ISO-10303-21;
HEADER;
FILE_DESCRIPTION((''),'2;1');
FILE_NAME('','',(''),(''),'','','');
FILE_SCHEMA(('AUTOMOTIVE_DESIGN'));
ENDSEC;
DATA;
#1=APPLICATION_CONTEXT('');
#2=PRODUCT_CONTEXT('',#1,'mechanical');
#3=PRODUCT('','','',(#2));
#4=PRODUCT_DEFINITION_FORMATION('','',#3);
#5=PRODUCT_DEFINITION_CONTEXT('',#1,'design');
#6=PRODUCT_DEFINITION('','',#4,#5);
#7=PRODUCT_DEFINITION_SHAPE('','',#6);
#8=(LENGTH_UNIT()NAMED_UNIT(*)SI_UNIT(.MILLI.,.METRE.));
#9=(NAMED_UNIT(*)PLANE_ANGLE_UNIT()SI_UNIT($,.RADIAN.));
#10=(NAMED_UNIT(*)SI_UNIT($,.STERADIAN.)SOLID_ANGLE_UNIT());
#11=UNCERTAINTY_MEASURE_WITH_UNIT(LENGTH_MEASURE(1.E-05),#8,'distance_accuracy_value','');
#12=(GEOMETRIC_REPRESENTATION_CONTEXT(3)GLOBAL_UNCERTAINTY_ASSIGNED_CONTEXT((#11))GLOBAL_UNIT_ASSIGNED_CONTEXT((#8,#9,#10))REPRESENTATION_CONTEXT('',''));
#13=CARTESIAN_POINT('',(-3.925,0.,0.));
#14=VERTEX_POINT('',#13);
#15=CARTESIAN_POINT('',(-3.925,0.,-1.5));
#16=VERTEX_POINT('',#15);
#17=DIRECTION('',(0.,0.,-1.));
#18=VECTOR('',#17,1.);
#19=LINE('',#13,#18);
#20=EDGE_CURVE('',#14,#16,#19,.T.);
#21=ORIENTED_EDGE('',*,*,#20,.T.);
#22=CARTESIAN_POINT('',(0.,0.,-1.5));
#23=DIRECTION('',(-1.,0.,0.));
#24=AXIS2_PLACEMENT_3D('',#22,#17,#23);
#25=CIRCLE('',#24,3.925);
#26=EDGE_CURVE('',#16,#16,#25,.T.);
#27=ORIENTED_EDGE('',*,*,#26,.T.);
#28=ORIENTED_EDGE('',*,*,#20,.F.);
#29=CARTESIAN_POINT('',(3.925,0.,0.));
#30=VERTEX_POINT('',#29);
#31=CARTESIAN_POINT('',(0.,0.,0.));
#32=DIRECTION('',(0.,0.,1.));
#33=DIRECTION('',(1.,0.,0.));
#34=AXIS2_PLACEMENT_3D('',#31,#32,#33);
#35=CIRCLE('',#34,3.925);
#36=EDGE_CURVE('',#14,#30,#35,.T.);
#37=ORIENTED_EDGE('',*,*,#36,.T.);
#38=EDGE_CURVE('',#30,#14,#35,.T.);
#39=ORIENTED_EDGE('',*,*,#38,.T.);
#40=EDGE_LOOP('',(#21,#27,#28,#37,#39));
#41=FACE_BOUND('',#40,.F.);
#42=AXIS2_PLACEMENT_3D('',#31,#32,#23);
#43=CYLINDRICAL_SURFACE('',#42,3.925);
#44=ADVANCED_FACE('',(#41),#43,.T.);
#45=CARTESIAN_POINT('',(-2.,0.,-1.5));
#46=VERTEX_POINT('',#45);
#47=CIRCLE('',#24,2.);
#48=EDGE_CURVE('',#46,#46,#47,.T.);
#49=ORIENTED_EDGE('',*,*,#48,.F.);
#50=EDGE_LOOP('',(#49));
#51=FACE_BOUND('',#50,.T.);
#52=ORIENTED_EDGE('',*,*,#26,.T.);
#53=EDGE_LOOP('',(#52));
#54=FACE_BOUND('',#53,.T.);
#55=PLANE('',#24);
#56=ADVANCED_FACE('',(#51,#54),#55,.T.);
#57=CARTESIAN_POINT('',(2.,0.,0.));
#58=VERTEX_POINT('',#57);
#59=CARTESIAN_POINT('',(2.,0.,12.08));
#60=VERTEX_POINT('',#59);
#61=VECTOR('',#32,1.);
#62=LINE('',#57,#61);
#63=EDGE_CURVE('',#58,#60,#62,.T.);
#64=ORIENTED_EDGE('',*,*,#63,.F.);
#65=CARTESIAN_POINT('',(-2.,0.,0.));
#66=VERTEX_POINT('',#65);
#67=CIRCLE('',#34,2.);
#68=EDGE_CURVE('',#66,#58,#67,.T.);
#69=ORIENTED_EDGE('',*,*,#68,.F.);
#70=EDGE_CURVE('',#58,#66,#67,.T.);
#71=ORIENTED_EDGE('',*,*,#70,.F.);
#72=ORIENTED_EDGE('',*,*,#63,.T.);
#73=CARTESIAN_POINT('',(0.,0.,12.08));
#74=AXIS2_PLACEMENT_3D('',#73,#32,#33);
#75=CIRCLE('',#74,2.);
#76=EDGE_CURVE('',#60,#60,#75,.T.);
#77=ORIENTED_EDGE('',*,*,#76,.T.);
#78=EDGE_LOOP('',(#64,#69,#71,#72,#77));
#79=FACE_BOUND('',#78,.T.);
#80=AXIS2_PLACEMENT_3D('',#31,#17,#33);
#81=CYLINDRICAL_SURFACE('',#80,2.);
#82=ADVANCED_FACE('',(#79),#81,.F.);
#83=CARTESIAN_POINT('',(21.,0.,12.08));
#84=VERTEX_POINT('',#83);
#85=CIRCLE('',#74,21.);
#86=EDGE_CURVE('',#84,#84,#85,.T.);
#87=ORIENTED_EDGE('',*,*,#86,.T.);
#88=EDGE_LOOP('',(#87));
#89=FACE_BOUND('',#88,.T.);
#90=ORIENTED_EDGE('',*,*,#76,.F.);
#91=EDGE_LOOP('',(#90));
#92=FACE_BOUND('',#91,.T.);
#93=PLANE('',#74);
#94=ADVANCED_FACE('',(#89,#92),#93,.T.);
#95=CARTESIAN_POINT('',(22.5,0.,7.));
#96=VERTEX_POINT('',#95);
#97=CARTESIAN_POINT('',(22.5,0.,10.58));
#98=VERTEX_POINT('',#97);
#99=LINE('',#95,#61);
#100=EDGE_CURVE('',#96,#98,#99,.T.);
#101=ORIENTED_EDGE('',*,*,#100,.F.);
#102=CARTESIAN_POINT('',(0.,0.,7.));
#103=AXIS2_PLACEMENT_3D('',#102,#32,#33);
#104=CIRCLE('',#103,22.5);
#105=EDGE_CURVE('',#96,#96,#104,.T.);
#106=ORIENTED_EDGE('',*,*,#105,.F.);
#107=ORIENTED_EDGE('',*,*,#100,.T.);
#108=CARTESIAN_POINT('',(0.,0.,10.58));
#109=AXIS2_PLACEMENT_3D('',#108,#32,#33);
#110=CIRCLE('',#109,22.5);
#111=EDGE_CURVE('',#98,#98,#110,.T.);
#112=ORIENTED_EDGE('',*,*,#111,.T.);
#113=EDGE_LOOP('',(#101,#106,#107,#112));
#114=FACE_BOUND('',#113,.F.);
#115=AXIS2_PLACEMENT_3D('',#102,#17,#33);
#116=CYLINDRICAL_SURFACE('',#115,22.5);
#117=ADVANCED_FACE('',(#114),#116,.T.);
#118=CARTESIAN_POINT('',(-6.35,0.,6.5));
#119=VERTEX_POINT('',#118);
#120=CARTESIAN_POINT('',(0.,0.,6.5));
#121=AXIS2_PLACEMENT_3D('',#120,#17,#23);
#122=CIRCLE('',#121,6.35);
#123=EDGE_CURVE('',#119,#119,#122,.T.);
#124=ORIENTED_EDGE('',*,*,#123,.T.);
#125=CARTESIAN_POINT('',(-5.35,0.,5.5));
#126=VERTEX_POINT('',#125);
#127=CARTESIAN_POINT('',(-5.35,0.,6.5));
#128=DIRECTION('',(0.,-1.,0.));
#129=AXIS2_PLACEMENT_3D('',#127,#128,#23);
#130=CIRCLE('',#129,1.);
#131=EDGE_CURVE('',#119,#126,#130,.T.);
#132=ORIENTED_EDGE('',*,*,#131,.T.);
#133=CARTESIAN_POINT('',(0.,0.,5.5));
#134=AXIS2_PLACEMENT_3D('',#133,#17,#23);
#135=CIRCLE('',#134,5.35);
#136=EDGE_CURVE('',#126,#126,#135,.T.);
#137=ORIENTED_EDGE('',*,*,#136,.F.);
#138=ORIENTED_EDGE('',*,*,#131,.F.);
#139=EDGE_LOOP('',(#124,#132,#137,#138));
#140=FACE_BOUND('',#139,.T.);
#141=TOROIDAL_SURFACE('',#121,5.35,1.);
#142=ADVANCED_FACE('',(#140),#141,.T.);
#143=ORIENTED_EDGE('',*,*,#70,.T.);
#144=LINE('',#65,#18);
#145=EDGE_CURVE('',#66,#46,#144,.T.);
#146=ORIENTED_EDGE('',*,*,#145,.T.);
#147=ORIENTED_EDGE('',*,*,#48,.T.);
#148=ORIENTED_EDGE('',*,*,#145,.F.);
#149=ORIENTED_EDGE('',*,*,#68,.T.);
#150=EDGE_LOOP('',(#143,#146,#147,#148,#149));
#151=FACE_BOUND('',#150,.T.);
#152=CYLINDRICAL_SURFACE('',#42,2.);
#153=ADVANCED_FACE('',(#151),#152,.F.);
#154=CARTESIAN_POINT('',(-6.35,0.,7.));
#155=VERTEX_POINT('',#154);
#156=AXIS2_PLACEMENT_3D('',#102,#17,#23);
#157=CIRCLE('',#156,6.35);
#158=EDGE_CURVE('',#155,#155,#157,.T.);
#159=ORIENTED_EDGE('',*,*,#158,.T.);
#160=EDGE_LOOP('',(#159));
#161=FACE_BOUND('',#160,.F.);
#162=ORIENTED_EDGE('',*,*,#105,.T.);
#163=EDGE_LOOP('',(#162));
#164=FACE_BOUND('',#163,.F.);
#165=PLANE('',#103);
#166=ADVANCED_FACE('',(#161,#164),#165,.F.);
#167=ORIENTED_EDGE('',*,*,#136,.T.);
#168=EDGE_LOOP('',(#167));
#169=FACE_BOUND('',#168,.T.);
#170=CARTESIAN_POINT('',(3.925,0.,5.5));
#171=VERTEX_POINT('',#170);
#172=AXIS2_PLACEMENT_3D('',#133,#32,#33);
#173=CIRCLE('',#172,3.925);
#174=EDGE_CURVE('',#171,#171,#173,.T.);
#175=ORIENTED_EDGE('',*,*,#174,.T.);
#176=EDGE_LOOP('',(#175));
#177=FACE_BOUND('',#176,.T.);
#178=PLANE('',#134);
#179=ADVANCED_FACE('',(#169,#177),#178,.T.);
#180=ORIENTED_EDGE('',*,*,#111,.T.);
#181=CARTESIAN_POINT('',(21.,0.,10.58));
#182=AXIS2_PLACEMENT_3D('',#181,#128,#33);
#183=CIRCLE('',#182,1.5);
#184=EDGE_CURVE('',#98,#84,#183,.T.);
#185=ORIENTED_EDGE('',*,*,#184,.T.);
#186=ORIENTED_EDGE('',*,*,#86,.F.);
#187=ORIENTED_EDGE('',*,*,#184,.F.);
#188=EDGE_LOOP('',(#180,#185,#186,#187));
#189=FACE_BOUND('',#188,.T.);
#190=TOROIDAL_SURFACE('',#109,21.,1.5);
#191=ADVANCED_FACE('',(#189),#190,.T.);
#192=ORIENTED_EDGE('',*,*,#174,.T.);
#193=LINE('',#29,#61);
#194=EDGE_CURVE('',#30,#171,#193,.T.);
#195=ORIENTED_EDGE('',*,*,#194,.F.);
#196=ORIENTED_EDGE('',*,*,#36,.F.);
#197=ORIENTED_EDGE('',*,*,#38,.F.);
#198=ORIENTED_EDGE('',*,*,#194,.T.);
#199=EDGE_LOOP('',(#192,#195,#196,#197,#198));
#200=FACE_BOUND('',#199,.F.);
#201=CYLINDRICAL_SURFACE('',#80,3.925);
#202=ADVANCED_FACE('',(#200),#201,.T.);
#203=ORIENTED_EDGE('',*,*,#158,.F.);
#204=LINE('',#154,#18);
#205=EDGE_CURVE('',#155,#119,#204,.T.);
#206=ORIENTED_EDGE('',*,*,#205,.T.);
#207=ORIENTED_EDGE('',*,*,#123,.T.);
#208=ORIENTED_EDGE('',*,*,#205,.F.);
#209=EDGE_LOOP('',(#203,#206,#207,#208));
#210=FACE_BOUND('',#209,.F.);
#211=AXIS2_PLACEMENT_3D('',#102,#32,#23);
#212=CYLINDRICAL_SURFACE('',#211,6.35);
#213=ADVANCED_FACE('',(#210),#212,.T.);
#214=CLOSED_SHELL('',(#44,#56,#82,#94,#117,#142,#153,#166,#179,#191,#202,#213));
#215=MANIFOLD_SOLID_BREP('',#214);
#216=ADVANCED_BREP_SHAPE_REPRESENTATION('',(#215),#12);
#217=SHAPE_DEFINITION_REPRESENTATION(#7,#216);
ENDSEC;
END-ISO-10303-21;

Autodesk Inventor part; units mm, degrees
ref_plane "YZ Plane" through (0, 0, 0) normal (1, 0, 0) x (0, 1, 0)
ref_plane "XZ Plane" through (0, 0, 0) normal (0, 1, 0) x (-1, 0, 0)
ref_plane "XY Plane" through (0, 0, 0) normal (0, 0, 1) x (1, 0, 0)
sketch "Sketch1" plane through (0, 0, 0) normal (0, 0, 1) x (1, 0, 0)
  circle A0 centre (0, 0) radius 3.925
  circle A1 centre (0, 0) radius 2
  dimension "d0" = 7.85
  dimension "d1" = 4
extrude "Extrusion1" add sketch "Sketch1" along normal blind 7
sketch "Sketch2" plane through (0, 0, 7) normal (0, 0, 1) x (1, 0, 0)
  circle A0 centre (0, 0) radius 22.5
  circle A1 centre (0, 0) radius 2 projected
  dimension "d4" = 45
extrude "Extrusion2" add sketch "Sketch2" along normal blind 5.08
fillet "Fillet1" radius 1.5 1 edges at (-22.5, 0, 12.08)
sketch "Sketch4" plane through (0, 0, 7) normal (0, 0, -1) x (-1, 0, 0)
  circle A0 centre (0, 0) radius 3.925
  circle A1 centre (0, 0) radius 6.35
  dimension "d10" = 12.7
extrude "Extrusion4" add sketch "Sketch4" along normal blind 1.5
sketch "Sketch5" plane through (0, 0, 0) normal (0, 0, -1) x (-1, 0, 0)
  circle A0 centre (0, 0) radius 3.925 projected
  circle A1 centre (0, 0) radius 2 projected
fillet "Fillet2" radius 1 1 edges at (6.35, 0, 5.5)
extrude "Extrusion5" add sketch "Sketch5" along normal blind 1.5
properties part number "wheel_mrrover"
